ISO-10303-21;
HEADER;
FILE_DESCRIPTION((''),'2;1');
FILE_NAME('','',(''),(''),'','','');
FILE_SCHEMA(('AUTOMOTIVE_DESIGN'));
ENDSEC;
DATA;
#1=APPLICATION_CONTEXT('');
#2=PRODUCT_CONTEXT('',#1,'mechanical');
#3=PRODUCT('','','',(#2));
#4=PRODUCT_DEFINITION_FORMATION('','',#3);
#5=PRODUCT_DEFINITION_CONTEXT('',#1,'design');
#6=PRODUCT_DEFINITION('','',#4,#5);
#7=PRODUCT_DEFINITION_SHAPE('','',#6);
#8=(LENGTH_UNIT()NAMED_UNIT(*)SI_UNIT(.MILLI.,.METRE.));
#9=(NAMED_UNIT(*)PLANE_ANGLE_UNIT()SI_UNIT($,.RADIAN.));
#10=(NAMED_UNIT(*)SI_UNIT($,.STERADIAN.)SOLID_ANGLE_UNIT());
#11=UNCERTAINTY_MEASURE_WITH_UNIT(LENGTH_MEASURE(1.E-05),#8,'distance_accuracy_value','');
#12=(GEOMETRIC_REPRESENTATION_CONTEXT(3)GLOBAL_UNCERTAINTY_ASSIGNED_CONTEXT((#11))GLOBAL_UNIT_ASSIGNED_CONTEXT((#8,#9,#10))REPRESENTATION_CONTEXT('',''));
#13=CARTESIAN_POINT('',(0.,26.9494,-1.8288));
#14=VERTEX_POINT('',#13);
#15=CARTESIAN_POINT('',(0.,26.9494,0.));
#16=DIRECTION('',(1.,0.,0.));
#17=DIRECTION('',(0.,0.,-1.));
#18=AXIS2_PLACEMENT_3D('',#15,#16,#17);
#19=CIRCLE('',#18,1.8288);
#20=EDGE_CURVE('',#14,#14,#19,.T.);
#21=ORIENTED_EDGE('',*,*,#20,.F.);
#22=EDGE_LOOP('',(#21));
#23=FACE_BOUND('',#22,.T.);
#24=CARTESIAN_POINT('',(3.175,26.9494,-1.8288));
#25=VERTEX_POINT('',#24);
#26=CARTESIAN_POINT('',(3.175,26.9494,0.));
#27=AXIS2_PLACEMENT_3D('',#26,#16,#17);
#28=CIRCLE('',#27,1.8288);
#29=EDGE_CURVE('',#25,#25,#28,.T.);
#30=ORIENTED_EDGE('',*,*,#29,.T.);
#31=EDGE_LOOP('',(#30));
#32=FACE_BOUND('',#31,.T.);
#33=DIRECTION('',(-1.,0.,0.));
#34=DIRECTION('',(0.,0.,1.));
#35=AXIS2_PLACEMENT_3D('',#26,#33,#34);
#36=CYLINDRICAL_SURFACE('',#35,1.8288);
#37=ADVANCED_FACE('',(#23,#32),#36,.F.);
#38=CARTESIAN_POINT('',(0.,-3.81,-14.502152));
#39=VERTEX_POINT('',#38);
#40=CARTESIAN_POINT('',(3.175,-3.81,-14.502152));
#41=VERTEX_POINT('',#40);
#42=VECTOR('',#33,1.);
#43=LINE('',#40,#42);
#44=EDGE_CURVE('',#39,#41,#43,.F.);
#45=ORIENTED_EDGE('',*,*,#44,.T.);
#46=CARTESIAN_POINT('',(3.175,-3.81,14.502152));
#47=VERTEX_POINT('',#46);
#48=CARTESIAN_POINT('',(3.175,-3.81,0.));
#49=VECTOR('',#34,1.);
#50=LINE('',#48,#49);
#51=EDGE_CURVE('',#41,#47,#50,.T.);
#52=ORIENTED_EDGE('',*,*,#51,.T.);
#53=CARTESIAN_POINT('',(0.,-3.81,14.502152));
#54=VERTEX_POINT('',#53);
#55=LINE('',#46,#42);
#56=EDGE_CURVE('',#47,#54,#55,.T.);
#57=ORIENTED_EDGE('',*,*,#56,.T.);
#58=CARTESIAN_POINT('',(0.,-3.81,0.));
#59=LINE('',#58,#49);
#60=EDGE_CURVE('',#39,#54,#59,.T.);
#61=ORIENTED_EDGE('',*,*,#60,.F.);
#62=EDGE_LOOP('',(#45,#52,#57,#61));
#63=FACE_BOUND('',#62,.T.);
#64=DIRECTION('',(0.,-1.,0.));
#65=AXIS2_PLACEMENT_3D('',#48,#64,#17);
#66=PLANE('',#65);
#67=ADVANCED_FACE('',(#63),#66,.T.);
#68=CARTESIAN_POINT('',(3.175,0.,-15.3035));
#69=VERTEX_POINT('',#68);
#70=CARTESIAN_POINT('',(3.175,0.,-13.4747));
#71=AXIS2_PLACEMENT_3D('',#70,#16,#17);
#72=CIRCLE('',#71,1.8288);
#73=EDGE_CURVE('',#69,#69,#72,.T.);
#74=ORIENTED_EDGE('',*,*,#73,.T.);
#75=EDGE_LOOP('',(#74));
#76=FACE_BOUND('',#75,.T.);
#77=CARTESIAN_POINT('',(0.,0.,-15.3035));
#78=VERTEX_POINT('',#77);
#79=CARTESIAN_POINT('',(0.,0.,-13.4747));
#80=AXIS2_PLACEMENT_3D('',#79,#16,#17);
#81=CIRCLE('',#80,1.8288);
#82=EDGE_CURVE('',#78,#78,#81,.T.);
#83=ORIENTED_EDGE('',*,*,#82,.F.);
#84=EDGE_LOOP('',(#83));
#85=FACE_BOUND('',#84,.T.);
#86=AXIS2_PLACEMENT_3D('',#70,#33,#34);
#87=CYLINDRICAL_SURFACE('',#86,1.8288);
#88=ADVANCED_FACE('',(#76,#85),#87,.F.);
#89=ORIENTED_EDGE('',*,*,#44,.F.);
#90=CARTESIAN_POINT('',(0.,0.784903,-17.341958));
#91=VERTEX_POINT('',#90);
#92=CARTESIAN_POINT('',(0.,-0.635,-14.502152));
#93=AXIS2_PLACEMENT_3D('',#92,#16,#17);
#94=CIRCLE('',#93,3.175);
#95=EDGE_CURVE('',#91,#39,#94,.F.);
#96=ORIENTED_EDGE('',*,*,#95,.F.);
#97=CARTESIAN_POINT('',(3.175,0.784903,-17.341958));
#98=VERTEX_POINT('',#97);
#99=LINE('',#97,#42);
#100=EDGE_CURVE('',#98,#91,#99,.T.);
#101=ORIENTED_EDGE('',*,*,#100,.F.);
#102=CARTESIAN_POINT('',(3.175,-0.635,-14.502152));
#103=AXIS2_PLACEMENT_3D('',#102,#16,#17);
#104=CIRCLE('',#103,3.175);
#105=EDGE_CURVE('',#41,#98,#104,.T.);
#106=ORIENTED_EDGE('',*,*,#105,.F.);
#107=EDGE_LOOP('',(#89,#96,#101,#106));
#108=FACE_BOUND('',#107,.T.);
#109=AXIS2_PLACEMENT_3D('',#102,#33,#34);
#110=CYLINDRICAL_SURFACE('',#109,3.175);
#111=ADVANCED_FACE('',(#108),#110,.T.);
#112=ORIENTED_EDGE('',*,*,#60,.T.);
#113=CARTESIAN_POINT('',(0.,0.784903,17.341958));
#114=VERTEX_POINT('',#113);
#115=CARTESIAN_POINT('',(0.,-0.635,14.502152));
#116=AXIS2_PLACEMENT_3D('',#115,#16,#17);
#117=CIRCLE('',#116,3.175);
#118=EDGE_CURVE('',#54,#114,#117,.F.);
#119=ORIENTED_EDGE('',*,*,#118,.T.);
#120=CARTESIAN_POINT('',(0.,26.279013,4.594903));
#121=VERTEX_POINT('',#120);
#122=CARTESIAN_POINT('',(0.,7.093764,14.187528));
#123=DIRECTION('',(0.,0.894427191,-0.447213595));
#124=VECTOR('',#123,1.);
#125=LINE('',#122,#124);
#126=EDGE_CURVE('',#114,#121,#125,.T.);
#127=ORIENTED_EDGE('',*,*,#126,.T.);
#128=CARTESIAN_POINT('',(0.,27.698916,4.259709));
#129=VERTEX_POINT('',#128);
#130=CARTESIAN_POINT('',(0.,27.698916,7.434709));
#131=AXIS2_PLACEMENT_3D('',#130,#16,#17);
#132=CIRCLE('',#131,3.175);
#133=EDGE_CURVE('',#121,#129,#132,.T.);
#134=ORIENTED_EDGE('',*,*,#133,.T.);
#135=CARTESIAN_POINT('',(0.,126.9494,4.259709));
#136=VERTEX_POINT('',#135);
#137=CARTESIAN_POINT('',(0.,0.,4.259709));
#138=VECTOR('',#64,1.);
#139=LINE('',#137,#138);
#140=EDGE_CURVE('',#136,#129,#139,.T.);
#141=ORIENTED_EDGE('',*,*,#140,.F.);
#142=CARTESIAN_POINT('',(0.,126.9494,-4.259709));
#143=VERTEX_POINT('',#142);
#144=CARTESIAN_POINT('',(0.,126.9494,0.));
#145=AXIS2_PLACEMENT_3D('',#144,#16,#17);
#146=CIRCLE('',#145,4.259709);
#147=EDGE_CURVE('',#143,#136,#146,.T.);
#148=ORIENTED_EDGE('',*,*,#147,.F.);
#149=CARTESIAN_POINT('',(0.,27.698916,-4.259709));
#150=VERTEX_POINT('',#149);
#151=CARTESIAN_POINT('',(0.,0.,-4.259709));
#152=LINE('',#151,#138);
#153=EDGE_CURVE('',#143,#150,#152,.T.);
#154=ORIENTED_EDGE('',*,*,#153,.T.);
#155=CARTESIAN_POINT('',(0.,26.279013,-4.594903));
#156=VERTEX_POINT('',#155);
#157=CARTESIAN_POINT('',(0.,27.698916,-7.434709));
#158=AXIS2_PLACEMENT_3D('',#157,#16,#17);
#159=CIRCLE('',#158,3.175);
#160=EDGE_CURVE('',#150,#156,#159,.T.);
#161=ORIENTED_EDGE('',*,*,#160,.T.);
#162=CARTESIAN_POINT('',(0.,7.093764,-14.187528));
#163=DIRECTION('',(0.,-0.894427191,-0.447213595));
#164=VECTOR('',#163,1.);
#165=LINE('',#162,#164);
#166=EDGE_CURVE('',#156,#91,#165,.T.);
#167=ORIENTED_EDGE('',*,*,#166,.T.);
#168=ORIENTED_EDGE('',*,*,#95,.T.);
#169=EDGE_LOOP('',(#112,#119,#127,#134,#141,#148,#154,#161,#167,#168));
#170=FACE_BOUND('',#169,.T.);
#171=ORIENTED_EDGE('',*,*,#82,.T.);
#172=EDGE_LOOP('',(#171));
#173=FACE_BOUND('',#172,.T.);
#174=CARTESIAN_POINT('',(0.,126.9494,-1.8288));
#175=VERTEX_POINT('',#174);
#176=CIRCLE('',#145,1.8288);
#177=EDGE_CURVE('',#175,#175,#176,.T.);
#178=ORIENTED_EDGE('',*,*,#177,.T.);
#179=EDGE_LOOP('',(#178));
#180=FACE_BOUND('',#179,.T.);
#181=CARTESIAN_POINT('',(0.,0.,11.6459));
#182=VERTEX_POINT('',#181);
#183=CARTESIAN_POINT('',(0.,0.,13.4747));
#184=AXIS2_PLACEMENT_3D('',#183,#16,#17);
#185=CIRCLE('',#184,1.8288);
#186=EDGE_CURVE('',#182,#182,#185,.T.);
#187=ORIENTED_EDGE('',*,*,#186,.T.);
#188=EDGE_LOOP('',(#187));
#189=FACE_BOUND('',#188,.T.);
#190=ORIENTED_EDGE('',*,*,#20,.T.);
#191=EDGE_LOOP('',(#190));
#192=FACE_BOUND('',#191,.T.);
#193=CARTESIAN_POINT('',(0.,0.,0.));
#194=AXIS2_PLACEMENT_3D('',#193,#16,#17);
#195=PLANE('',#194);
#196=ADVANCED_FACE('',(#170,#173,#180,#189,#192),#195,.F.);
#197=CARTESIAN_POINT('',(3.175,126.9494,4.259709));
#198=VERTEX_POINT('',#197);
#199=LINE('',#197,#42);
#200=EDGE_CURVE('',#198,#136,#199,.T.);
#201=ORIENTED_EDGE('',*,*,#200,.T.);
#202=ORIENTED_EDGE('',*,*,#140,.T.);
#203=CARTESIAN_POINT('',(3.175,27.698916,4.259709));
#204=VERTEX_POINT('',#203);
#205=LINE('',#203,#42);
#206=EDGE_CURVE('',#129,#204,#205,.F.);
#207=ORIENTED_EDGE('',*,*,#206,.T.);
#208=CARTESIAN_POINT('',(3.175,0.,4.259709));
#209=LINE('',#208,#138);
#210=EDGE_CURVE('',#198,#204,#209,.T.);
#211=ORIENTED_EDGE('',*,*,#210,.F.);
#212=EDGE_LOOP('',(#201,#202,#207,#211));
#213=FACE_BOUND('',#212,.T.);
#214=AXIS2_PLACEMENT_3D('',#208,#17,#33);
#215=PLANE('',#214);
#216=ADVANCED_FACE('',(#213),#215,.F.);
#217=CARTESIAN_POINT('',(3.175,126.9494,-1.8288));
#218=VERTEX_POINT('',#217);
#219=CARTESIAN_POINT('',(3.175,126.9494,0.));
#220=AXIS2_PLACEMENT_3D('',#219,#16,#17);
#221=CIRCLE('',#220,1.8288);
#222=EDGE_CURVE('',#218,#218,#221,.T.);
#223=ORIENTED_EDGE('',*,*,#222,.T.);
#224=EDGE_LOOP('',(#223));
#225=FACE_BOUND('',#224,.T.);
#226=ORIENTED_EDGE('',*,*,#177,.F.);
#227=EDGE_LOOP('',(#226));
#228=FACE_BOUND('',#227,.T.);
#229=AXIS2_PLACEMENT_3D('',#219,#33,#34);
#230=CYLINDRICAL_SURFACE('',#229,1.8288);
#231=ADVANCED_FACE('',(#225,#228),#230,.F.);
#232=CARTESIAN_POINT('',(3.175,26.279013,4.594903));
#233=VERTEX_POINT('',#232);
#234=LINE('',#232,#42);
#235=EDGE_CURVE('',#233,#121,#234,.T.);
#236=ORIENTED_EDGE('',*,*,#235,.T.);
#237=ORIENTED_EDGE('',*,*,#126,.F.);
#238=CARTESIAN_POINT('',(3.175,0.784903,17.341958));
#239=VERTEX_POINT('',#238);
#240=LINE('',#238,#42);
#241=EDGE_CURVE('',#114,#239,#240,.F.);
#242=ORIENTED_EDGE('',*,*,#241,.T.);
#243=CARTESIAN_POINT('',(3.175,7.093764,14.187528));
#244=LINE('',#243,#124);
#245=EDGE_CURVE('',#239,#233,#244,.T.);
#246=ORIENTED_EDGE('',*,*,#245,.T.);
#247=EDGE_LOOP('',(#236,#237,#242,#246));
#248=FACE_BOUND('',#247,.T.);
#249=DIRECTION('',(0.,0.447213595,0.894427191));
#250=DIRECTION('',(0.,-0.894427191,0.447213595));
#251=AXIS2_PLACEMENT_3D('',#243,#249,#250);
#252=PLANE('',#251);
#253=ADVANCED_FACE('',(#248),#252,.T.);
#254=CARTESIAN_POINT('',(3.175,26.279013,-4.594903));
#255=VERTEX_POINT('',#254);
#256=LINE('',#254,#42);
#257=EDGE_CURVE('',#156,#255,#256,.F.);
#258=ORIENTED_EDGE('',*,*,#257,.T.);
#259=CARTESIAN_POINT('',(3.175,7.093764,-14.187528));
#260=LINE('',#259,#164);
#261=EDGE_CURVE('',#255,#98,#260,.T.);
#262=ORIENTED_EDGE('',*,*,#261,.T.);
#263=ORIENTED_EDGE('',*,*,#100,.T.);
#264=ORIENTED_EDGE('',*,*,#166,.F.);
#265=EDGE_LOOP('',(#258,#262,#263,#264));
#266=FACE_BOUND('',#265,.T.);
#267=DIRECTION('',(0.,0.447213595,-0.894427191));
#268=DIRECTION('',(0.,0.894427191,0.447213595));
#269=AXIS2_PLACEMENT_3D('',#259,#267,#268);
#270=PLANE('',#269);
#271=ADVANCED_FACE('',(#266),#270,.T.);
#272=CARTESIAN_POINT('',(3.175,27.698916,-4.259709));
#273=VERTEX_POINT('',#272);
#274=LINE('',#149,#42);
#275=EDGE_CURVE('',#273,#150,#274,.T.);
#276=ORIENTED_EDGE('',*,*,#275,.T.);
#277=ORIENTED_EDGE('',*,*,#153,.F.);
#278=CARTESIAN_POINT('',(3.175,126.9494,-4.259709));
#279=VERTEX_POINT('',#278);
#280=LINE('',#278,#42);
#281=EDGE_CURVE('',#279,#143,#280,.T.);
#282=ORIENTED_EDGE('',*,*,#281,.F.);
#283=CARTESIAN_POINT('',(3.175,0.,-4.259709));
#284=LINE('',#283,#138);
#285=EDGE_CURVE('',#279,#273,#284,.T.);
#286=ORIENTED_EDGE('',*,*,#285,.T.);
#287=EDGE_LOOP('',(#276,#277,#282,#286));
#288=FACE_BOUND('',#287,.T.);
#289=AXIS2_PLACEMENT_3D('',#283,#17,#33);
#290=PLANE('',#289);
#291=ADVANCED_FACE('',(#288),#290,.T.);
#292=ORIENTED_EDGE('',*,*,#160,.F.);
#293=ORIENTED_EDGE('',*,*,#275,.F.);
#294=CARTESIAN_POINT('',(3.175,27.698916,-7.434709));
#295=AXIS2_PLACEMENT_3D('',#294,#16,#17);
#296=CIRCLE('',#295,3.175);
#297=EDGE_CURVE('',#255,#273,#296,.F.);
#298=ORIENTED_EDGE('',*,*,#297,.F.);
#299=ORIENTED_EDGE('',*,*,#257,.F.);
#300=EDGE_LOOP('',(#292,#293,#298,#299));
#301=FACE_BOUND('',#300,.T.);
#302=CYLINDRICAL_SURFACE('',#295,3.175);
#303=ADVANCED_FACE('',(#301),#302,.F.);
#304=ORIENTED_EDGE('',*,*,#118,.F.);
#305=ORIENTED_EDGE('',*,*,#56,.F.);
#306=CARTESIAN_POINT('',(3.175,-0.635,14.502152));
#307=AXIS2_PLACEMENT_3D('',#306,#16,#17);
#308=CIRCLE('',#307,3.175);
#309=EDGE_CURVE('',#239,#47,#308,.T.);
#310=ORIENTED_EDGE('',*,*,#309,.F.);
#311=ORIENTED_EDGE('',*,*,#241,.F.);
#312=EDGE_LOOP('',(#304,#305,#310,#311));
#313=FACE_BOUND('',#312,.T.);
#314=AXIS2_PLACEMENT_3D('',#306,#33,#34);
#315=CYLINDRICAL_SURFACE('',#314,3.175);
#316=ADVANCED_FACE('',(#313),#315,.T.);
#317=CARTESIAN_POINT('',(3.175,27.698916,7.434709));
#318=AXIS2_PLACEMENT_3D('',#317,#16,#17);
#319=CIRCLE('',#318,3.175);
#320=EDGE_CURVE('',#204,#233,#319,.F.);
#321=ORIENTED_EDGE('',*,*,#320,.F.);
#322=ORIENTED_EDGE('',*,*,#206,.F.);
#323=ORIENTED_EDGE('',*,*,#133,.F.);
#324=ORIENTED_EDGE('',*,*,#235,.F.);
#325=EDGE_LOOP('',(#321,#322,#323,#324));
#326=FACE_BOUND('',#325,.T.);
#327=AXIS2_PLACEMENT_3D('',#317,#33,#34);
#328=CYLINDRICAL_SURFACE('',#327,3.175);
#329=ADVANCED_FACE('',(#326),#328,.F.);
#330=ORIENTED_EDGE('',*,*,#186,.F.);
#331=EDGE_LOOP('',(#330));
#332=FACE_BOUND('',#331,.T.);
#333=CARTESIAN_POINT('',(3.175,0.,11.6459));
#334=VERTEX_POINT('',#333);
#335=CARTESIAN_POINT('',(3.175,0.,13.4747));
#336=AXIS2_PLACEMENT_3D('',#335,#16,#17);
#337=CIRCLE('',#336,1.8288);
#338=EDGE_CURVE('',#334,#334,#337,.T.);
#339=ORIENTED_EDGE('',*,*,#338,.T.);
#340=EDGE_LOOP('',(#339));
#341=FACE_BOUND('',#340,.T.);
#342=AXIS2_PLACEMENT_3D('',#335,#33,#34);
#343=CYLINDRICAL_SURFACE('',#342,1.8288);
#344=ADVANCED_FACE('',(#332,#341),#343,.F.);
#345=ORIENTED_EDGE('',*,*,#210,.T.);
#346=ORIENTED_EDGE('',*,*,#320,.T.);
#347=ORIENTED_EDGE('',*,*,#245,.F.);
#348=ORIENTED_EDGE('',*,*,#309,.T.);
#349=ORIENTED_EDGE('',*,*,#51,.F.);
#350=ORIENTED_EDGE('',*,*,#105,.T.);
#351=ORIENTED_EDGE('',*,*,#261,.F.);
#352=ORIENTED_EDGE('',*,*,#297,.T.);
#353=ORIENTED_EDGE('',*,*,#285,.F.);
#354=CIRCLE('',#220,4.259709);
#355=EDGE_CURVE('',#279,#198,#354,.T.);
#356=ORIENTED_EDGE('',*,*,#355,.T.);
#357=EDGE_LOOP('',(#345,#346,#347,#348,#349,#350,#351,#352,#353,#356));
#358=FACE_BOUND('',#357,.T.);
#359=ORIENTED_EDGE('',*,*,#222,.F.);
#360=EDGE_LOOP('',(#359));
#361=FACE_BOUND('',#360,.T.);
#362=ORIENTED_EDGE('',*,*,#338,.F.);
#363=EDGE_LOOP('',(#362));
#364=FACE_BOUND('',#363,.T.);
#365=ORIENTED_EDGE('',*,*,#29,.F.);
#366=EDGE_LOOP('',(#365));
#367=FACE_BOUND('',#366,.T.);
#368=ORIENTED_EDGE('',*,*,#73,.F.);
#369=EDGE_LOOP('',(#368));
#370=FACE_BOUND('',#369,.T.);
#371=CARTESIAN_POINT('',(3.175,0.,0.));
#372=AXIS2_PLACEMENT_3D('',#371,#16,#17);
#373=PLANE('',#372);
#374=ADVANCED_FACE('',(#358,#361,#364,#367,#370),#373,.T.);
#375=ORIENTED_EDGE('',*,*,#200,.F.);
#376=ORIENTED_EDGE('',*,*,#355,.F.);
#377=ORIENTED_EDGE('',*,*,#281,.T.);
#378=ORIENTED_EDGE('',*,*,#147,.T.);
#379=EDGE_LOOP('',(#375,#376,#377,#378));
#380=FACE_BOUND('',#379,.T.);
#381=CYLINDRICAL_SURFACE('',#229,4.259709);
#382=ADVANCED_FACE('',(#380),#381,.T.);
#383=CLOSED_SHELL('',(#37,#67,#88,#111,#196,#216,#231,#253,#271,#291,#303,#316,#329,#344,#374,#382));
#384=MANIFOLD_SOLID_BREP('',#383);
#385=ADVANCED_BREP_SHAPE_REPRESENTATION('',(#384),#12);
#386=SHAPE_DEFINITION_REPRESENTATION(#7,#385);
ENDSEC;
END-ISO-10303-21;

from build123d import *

# Parameters (mm, degrees)
SKETCH1_R           = 1.8288
BOSS_EXTRUDE1_DEPTH = 3.175
FILLET1_R           = 3.175


with BuildPart() as part:
    # Sketch1 → Boss-Extrude1 (new body)
    # profile 1 of 3: a face of its own
    with BuildSketch(Plane(origin=(0, 0, 0), x_dir=(0, 0, -1), z_dir=(1, 0, 0))):
        with BuildLine():
            Line((-19.639409497, -3.81), (19.639409497, -3.81))
            Line((19.639409497, -3.81), (4.259709497, 26.9494))
            ThreePointArc((4.259709497, 26.9494), (0, 22.689690503), (-4.259709497, 26.9494))
            Line((-4.259709497, 26.9494), (-19.639409497, -3.81))
        make_face()
        with Locations((-13.4747, 0)):
            Circle(SKETCH1_R, mode=Mode.SUBTRACT)
        with Locations((13.4747, 0)):
            Circle(SKETCH1_R, mode=Mode.SUBTRACT)
    # profile 2 of 3: a face of its own
    with BuildSketch(Plane(origin=(0, 0, 0), x_dir=(0, 0, -1), z_dir=(1, 0, 0))):
        with BuildLine():
            ThreePointArc((-4.259709497, 26.9494), (0, 22.689690503), (4.259709497, 26.9494))
            Line((4.259709497, 26.9494), (0, 35.468818994))
            Line((0, 35.468818994), (-4.259709497, 26.9494))
        make_face()
        with Locations((0, 26.9494)):
            Circle(SKETCH1_R, mode=Mode.SUBTRACT)
    # profile 3 of 3: a face of its own
    with BuildSketch(Plane(origin=(0, 0, 0), x_dir=(0, 0, -1), z_dir=(1, 0, 0))):
        with BuildLine():
            Line((0, 35.468818994), (4.259709497, 26.9494))
            Line((4.259709497, 26.9494), (4.259709497, 126.9494))
            ThreePointArc((4.259709497, 126.9494), (0, 131.209109497), (-4.259709497, 126.9494))
            Line((-4.259709497, 126.9494), (-4.259709497, 26.9494))
            Line((-4.259709497, 26.9494), (0, 35.468818994))
        make_face()
        with Locations((0, 126.9494)):
            Circle(SKETCH1_R, mode=Mode.SUBTRACT)
    extrude(amount=BOSS_EXTRUDE1_DEPTH)

    # Fillet1
    fillet1_edges = [part.edges().sort_by_distance(p)[0] for p in [
        (1.5875, -3.81, -19.639409497),
        (1.5875, -3.81, 19.639409497),
        (1.5875, 26.9494, 4.259709497),
        (1.5875, 26.9494, -4.259709497),
    ]]
    fillet(fillet1_edges, radius=FILLET1_R)


solid = part.part
